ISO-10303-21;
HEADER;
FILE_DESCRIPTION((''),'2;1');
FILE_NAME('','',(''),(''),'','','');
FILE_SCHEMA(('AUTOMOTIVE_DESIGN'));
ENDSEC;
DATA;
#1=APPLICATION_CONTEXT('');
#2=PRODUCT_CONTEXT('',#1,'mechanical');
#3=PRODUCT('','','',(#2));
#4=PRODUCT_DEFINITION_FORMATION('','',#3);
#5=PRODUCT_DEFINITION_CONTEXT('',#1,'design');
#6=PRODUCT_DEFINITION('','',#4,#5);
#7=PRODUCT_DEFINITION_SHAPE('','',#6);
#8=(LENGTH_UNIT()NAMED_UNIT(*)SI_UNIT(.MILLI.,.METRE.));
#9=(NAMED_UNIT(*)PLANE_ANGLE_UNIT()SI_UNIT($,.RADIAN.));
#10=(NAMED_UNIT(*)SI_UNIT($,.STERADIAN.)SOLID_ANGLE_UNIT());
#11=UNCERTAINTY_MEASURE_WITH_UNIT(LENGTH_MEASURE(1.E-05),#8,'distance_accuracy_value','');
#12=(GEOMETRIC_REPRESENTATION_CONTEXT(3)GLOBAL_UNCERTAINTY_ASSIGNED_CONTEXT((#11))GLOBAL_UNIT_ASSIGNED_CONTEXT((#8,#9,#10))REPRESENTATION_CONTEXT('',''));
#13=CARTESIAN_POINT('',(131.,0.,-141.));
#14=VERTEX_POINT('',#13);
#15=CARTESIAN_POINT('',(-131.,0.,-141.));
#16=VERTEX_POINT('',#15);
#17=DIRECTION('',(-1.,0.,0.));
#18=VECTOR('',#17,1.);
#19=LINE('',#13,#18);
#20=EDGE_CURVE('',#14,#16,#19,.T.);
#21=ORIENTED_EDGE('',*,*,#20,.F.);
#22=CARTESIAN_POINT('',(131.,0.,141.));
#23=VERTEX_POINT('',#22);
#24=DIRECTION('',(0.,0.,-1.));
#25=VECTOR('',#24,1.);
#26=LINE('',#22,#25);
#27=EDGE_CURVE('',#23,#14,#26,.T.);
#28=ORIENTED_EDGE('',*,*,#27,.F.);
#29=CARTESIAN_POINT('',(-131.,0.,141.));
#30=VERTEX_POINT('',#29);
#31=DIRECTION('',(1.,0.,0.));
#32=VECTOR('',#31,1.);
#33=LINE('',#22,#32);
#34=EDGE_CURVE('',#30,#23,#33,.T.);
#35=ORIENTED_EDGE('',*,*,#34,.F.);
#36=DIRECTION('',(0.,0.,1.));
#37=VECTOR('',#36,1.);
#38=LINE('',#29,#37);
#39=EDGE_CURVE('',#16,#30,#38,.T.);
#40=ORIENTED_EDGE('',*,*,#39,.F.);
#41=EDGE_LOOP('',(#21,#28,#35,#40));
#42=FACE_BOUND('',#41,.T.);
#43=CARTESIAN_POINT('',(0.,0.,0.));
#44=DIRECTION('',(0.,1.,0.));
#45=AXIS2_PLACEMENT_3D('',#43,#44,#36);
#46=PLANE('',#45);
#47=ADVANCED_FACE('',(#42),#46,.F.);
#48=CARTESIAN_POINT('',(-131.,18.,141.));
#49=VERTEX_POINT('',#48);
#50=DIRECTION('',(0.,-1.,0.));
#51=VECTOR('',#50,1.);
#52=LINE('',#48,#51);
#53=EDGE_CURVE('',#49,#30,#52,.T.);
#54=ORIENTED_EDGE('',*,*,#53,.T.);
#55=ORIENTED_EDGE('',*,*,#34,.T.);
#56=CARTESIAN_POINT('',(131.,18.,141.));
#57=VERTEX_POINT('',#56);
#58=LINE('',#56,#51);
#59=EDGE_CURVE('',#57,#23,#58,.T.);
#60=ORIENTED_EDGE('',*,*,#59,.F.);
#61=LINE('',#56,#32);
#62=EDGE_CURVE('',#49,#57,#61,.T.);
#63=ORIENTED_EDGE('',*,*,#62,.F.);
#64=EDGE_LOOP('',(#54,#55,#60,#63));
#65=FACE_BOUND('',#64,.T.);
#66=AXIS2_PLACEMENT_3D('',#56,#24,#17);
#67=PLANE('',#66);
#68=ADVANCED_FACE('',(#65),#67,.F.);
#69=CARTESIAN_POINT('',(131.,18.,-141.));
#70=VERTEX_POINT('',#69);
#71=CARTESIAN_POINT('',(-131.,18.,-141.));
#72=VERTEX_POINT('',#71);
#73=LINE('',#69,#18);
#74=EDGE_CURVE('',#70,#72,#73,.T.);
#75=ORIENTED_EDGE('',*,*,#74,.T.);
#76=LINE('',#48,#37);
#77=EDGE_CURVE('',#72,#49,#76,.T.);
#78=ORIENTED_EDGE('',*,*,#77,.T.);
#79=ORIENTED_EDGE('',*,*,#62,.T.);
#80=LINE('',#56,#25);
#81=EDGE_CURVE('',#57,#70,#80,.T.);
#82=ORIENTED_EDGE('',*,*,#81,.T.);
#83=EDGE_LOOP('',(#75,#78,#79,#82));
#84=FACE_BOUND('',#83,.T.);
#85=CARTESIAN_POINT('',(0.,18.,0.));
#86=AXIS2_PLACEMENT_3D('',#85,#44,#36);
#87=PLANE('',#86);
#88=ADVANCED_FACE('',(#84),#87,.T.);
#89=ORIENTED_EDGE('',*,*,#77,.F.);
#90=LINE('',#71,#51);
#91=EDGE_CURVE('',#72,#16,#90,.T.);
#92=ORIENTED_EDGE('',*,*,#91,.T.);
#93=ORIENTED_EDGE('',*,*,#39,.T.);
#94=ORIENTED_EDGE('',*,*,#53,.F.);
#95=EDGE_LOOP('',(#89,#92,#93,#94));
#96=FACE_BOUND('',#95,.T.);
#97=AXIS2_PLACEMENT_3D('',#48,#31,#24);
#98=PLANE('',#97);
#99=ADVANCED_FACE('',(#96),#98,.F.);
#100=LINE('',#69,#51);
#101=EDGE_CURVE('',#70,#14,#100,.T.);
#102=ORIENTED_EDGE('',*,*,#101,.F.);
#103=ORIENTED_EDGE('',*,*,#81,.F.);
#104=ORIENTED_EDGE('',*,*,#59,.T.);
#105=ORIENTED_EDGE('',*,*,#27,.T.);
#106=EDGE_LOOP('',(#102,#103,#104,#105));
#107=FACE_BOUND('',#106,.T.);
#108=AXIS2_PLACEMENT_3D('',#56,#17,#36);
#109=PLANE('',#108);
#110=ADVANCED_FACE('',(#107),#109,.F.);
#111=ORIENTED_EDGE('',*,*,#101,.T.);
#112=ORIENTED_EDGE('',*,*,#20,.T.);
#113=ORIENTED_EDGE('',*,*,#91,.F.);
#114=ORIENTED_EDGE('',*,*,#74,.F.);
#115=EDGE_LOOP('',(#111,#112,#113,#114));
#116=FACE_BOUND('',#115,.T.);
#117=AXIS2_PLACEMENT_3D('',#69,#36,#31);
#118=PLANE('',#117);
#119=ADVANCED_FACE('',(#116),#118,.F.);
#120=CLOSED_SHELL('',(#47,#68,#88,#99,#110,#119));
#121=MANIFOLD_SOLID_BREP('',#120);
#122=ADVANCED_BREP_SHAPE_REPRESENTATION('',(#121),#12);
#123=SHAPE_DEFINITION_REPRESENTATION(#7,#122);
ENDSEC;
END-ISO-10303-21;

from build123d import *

# Parameters (mm, degrees)
SKETCH_1_W      = 262
SKETCH_1_H      = 282
EXTRUDE_1_DEPTH = 18


with BuildPart() as part:
    # Эскиз1 → Бобышка-Вытянуть1 (new body)
    with BuildSketch(Plane(origin=(0, 0, 0), x_dir=(1, 0, 0), z_dir=(0, 1, 0))):
        Rectangle(SKETCH_1_W, SKETCH_1_H)
    extrude(amount=EXTRUDE_1_DEPTH)


solid = part.part
